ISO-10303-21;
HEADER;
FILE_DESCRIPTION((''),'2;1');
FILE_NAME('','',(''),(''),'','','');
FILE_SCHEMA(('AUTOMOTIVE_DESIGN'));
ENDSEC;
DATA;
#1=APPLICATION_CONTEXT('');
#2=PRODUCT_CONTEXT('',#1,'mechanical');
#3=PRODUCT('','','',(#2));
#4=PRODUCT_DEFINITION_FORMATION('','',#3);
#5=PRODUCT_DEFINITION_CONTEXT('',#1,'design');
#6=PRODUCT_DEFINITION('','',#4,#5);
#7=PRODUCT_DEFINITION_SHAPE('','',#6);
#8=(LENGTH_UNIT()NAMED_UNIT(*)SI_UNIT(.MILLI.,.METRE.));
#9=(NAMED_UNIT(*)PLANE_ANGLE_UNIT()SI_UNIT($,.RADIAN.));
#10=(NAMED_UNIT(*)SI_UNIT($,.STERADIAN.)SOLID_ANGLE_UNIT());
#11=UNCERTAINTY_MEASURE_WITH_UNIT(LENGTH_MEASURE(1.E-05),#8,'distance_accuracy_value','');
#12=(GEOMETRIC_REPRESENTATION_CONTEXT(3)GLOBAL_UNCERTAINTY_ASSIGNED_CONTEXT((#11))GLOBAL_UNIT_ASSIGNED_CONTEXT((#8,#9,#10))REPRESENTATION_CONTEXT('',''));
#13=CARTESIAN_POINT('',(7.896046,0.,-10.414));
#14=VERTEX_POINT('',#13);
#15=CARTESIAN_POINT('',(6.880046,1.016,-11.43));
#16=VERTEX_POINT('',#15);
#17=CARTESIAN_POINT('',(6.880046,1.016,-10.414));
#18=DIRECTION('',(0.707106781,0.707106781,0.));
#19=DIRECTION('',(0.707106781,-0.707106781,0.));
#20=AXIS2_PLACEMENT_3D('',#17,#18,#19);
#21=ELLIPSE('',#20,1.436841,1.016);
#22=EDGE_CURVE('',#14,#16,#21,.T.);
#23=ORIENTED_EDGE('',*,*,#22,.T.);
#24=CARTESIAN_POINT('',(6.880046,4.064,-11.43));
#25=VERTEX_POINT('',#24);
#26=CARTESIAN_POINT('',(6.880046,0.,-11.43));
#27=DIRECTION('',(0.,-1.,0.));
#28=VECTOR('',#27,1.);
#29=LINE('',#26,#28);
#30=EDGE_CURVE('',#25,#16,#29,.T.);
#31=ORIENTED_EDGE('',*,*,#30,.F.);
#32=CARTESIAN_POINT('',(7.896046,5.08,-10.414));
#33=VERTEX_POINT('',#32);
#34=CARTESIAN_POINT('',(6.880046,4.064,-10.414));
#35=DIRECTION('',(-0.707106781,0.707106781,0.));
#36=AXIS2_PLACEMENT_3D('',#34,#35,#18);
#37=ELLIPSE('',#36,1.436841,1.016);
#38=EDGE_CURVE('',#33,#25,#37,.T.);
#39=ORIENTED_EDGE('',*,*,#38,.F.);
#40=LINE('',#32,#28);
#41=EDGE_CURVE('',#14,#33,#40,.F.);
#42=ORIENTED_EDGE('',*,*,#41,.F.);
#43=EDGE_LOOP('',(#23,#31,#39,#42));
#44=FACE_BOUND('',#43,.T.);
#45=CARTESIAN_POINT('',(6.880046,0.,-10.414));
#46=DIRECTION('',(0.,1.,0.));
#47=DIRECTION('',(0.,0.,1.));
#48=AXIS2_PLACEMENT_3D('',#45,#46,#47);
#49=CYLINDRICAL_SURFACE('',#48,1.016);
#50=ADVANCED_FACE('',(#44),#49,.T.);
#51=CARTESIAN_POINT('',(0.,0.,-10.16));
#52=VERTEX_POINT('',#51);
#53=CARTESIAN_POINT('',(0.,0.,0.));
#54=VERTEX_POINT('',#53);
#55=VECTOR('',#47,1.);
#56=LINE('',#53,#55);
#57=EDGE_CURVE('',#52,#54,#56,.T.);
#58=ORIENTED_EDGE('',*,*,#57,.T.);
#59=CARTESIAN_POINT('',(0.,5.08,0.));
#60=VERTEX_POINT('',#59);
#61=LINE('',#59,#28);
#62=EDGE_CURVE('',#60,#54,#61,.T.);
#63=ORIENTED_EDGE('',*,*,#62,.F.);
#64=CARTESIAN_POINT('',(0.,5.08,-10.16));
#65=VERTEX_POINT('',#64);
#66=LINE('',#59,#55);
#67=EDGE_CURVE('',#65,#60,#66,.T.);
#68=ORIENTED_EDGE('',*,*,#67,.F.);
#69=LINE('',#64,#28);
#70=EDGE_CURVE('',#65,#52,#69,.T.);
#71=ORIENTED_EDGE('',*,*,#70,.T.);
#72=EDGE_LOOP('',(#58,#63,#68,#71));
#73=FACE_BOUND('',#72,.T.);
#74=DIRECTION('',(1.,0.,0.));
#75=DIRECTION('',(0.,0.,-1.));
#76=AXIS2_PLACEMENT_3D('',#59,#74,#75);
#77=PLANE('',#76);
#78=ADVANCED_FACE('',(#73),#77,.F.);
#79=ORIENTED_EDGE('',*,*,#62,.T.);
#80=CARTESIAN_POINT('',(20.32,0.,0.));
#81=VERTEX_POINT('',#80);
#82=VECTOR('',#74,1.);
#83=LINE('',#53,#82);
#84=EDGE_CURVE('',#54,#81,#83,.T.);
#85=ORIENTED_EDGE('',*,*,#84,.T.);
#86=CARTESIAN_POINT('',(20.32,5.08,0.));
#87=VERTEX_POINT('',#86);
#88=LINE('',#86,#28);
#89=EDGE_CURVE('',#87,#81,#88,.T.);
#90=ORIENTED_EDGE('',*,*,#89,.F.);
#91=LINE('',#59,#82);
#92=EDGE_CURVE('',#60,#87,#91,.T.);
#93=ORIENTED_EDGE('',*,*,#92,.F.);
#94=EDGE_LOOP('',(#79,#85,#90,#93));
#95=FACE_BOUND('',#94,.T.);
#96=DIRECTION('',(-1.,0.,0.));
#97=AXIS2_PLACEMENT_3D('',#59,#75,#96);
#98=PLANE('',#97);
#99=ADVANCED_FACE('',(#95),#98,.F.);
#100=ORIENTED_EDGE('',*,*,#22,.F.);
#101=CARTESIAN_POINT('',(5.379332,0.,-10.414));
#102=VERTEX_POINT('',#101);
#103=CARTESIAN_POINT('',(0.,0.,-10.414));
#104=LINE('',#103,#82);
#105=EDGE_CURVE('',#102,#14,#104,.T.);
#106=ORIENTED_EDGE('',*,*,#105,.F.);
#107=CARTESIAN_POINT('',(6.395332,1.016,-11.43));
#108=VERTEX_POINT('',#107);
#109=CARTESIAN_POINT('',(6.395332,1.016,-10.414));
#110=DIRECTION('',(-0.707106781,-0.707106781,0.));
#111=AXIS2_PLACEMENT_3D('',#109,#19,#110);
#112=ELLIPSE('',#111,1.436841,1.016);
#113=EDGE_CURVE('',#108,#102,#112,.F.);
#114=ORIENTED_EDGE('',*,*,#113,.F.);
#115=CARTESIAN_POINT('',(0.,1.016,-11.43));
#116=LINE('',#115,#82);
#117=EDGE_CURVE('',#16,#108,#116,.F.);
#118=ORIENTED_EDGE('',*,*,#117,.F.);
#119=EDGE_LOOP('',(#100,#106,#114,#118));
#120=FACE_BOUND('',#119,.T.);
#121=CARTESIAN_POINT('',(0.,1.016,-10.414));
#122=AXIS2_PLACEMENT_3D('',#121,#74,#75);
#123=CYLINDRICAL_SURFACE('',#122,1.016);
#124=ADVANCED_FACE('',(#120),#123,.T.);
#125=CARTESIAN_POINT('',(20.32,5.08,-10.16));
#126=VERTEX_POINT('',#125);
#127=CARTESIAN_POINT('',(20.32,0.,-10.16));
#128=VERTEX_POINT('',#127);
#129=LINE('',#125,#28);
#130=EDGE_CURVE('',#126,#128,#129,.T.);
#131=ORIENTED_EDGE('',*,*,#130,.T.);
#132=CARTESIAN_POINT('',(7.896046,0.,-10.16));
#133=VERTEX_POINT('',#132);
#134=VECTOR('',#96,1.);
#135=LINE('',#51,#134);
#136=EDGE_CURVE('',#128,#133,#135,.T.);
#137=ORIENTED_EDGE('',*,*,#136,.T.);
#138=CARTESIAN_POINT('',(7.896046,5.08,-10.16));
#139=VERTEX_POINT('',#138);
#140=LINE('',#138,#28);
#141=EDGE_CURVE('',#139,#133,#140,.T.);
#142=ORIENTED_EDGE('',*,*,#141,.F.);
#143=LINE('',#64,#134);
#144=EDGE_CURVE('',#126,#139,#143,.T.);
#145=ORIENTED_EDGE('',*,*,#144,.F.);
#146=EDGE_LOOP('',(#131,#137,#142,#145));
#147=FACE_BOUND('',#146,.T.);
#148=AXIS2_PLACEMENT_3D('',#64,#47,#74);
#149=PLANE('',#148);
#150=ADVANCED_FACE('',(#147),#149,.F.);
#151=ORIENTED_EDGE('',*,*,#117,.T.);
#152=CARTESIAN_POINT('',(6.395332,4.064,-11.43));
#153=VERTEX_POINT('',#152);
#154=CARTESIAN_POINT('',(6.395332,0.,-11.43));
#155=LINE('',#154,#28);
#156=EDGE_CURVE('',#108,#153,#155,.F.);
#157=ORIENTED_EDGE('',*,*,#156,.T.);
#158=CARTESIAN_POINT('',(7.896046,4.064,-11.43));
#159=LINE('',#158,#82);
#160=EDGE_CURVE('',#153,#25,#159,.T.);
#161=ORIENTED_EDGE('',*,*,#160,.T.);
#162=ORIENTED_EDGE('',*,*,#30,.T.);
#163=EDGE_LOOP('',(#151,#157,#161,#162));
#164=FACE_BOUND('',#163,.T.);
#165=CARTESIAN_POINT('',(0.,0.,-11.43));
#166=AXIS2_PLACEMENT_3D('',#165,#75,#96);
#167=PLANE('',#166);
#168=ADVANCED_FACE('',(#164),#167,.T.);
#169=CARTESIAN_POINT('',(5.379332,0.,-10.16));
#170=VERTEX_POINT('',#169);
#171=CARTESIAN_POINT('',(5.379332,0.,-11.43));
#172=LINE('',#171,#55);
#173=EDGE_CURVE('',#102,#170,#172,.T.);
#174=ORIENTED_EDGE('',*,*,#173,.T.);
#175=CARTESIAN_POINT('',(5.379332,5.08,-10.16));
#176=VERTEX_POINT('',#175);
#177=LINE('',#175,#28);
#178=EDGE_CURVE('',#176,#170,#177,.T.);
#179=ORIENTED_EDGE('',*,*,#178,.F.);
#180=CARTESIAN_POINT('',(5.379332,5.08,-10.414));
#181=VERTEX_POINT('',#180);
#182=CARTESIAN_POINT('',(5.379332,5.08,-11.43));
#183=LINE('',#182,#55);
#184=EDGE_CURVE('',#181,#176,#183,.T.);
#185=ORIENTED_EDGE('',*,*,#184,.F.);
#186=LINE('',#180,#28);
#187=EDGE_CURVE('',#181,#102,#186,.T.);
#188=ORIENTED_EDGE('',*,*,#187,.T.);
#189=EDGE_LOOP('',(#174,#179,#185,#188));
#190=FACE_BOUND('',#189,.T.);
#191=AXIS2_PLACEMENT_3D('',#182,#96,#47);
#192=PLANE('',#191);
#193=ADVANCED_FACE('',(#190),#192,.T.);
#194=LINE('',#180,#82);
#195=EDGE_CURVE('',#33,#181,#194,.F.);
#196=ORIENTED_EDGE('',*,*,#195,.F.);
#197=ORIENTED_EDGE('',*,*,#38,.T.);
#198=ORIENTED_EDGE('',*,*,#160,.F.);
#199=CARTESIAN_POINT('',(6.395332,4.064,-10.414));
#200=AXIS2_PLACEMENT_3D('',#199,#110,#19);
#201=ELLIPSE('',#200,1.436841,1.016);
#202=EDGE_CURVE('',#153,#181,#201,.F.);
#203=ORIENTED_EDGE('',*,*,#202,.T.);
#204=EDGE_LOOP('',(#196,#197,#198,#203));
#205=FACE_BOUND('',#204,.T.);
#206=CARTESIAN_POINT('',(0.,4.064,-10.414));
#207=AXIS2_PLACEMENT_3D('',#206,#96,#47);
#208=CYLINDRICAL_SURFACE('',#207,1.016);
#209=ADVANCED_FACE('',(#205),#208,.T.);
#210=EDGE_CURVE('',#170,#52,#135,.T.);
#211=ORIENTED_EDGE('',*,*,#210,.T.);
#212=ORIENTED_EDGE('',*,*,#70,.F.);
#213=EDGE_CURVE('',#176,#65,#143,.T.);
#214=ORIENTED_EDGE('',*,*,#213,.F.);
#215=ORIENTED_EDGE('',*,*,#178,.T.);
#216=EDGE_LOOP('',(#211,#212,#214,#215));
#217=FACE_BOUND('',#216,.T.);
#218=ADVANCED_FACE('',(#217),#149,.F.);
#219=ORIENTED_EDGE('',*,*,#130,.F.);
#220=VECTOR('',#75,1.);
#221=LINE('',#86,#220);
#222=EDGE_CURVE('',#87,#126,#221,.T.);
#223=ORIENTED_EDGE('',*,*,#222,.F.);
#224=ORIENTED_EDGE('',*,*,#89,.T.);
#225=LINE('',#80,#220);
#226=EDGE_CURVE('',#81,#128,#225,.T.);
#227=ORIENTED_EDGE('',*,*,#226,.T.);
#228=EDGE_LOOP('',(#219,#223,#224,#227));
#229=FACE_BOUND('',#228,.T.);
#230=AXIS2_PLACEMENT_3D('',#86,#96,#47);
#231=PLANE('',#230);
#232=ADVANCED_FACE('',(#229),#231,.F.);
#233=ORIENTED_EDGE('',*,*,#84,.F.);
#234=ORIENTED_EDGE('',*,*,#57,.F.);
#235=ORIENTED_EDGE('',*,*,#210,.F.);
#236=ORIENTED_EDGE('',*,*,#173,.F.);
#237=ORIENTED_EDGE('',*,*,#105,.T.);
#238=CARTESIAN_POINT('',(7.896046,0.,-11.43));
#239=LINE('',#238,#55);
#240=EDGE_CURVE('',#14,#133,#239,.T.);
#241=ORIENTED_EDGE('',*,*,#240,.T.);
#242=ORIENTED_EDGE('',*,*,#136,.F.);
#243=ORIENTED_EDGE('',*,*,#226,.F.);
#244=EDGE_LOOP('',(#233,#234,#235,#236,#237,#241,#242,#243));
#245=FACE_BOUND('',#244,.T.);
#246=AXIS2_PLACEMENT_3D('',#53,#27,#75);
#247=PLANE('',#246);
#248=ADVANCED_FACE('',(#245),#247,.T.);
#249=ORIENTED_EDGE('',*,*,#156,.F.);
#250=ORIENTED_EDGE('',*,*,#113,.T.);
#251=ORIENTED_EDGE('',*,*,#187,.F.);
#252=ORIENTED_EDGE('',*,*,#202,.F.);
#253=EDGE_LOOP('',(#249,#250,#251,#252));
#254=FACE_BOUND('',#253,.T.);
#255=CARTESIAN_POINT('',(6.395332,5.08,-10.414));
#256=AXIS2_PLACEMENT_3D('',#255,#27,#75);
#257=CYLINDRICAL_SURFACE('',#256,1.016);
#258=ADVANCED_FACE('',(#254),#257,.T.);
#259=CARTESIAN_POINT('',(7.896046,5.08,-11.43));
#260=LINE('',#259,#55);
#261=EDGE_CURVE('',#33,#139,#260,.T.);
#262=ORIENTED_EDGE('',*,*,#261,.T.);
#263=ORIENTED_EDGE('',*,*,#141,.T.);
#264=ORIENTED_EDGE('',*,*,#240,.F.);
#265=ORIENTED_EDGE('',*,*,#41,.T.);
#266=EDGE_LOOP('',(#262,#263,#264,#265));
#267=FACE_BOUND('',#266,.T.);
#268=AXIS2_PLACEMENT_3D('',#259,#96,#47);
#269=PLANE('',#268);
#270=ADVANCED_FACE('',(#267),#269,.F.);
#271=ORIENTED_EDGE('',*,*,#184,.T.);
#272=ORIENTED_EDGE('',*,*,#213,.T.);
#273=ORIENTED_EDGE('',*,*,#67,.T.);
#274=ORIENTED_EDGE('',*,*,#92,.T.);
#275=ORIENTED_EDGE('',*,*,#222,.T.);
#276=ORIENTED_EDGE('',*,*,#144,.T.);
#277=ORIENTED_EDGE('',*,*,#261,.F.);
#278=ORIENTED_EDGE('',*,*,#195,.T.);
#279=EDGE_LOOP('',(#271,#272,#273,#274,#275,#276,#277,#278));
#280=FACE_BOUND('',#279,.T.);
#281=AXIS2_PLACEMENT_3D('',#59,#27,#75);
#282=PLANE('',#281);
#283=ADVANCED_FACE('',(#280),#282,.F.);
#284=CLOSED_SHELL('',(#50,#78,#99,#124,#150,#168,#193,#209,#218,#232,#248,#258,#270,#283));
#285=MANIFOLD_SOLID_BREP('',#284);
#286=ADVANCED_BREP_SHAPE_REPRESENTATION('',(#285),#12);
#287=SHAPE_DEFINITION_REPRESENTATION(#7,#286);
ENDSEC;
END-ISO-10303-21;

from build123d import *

# Parameters (mm, degrees)
SKETCH1_W           = 20.32
SKETCH1_H           = 10.16
BOSS_EXTRUDE1_DEPTH = 5.08
SKETCH3_W           = 2.516713444
SKETCH3_H           = 5.08
BOSS_EXTRUDE2_DEPTH = 1.27
FILLET1_R           = 1.016


with BuildPart() as part:
    # Sketch1 → Boss-Extrude1 (new body)
    with BuildSketch(Plane(origin=(0, 0, 0), x_dir=(1, 0, 0), z_dir=(0, 1, 0))):
        with Locations((10.16, 5.08)):
            Rectangle(SKETCH1_W, SKETCH1_H)
    extrude(amount=BOSS_EXTRUDE1_DEPTH)

    # Sketch3 → Boss-Extrude2 (add)
    with BuildSketch(Plane(origin=(0, 0, -10.16), x_dir=(-1, 0, 0), z_dir=(0, 0, -1))):
        with Locations((-6.637688848, 2.54)):
            Rectangle(SKETCH3_W, SKETCH3_H)
    extrude(amount=BOSS_EXTRUDE2_DEPTH)

    # Fillet1
    fillet1_edges = [part.edges().sort_by_distance(p)[0] for p in [
        (6.637688848, 0, -11.43),
        (5.379332126, 2.54, -11.43),
        (6.637688848, 5.08, -11.43),
        (7.89604557, 2.54, -11.43),
    ]]
    fillet(fillet1_edges, radius=FILLET1_R)


solid = part.part
